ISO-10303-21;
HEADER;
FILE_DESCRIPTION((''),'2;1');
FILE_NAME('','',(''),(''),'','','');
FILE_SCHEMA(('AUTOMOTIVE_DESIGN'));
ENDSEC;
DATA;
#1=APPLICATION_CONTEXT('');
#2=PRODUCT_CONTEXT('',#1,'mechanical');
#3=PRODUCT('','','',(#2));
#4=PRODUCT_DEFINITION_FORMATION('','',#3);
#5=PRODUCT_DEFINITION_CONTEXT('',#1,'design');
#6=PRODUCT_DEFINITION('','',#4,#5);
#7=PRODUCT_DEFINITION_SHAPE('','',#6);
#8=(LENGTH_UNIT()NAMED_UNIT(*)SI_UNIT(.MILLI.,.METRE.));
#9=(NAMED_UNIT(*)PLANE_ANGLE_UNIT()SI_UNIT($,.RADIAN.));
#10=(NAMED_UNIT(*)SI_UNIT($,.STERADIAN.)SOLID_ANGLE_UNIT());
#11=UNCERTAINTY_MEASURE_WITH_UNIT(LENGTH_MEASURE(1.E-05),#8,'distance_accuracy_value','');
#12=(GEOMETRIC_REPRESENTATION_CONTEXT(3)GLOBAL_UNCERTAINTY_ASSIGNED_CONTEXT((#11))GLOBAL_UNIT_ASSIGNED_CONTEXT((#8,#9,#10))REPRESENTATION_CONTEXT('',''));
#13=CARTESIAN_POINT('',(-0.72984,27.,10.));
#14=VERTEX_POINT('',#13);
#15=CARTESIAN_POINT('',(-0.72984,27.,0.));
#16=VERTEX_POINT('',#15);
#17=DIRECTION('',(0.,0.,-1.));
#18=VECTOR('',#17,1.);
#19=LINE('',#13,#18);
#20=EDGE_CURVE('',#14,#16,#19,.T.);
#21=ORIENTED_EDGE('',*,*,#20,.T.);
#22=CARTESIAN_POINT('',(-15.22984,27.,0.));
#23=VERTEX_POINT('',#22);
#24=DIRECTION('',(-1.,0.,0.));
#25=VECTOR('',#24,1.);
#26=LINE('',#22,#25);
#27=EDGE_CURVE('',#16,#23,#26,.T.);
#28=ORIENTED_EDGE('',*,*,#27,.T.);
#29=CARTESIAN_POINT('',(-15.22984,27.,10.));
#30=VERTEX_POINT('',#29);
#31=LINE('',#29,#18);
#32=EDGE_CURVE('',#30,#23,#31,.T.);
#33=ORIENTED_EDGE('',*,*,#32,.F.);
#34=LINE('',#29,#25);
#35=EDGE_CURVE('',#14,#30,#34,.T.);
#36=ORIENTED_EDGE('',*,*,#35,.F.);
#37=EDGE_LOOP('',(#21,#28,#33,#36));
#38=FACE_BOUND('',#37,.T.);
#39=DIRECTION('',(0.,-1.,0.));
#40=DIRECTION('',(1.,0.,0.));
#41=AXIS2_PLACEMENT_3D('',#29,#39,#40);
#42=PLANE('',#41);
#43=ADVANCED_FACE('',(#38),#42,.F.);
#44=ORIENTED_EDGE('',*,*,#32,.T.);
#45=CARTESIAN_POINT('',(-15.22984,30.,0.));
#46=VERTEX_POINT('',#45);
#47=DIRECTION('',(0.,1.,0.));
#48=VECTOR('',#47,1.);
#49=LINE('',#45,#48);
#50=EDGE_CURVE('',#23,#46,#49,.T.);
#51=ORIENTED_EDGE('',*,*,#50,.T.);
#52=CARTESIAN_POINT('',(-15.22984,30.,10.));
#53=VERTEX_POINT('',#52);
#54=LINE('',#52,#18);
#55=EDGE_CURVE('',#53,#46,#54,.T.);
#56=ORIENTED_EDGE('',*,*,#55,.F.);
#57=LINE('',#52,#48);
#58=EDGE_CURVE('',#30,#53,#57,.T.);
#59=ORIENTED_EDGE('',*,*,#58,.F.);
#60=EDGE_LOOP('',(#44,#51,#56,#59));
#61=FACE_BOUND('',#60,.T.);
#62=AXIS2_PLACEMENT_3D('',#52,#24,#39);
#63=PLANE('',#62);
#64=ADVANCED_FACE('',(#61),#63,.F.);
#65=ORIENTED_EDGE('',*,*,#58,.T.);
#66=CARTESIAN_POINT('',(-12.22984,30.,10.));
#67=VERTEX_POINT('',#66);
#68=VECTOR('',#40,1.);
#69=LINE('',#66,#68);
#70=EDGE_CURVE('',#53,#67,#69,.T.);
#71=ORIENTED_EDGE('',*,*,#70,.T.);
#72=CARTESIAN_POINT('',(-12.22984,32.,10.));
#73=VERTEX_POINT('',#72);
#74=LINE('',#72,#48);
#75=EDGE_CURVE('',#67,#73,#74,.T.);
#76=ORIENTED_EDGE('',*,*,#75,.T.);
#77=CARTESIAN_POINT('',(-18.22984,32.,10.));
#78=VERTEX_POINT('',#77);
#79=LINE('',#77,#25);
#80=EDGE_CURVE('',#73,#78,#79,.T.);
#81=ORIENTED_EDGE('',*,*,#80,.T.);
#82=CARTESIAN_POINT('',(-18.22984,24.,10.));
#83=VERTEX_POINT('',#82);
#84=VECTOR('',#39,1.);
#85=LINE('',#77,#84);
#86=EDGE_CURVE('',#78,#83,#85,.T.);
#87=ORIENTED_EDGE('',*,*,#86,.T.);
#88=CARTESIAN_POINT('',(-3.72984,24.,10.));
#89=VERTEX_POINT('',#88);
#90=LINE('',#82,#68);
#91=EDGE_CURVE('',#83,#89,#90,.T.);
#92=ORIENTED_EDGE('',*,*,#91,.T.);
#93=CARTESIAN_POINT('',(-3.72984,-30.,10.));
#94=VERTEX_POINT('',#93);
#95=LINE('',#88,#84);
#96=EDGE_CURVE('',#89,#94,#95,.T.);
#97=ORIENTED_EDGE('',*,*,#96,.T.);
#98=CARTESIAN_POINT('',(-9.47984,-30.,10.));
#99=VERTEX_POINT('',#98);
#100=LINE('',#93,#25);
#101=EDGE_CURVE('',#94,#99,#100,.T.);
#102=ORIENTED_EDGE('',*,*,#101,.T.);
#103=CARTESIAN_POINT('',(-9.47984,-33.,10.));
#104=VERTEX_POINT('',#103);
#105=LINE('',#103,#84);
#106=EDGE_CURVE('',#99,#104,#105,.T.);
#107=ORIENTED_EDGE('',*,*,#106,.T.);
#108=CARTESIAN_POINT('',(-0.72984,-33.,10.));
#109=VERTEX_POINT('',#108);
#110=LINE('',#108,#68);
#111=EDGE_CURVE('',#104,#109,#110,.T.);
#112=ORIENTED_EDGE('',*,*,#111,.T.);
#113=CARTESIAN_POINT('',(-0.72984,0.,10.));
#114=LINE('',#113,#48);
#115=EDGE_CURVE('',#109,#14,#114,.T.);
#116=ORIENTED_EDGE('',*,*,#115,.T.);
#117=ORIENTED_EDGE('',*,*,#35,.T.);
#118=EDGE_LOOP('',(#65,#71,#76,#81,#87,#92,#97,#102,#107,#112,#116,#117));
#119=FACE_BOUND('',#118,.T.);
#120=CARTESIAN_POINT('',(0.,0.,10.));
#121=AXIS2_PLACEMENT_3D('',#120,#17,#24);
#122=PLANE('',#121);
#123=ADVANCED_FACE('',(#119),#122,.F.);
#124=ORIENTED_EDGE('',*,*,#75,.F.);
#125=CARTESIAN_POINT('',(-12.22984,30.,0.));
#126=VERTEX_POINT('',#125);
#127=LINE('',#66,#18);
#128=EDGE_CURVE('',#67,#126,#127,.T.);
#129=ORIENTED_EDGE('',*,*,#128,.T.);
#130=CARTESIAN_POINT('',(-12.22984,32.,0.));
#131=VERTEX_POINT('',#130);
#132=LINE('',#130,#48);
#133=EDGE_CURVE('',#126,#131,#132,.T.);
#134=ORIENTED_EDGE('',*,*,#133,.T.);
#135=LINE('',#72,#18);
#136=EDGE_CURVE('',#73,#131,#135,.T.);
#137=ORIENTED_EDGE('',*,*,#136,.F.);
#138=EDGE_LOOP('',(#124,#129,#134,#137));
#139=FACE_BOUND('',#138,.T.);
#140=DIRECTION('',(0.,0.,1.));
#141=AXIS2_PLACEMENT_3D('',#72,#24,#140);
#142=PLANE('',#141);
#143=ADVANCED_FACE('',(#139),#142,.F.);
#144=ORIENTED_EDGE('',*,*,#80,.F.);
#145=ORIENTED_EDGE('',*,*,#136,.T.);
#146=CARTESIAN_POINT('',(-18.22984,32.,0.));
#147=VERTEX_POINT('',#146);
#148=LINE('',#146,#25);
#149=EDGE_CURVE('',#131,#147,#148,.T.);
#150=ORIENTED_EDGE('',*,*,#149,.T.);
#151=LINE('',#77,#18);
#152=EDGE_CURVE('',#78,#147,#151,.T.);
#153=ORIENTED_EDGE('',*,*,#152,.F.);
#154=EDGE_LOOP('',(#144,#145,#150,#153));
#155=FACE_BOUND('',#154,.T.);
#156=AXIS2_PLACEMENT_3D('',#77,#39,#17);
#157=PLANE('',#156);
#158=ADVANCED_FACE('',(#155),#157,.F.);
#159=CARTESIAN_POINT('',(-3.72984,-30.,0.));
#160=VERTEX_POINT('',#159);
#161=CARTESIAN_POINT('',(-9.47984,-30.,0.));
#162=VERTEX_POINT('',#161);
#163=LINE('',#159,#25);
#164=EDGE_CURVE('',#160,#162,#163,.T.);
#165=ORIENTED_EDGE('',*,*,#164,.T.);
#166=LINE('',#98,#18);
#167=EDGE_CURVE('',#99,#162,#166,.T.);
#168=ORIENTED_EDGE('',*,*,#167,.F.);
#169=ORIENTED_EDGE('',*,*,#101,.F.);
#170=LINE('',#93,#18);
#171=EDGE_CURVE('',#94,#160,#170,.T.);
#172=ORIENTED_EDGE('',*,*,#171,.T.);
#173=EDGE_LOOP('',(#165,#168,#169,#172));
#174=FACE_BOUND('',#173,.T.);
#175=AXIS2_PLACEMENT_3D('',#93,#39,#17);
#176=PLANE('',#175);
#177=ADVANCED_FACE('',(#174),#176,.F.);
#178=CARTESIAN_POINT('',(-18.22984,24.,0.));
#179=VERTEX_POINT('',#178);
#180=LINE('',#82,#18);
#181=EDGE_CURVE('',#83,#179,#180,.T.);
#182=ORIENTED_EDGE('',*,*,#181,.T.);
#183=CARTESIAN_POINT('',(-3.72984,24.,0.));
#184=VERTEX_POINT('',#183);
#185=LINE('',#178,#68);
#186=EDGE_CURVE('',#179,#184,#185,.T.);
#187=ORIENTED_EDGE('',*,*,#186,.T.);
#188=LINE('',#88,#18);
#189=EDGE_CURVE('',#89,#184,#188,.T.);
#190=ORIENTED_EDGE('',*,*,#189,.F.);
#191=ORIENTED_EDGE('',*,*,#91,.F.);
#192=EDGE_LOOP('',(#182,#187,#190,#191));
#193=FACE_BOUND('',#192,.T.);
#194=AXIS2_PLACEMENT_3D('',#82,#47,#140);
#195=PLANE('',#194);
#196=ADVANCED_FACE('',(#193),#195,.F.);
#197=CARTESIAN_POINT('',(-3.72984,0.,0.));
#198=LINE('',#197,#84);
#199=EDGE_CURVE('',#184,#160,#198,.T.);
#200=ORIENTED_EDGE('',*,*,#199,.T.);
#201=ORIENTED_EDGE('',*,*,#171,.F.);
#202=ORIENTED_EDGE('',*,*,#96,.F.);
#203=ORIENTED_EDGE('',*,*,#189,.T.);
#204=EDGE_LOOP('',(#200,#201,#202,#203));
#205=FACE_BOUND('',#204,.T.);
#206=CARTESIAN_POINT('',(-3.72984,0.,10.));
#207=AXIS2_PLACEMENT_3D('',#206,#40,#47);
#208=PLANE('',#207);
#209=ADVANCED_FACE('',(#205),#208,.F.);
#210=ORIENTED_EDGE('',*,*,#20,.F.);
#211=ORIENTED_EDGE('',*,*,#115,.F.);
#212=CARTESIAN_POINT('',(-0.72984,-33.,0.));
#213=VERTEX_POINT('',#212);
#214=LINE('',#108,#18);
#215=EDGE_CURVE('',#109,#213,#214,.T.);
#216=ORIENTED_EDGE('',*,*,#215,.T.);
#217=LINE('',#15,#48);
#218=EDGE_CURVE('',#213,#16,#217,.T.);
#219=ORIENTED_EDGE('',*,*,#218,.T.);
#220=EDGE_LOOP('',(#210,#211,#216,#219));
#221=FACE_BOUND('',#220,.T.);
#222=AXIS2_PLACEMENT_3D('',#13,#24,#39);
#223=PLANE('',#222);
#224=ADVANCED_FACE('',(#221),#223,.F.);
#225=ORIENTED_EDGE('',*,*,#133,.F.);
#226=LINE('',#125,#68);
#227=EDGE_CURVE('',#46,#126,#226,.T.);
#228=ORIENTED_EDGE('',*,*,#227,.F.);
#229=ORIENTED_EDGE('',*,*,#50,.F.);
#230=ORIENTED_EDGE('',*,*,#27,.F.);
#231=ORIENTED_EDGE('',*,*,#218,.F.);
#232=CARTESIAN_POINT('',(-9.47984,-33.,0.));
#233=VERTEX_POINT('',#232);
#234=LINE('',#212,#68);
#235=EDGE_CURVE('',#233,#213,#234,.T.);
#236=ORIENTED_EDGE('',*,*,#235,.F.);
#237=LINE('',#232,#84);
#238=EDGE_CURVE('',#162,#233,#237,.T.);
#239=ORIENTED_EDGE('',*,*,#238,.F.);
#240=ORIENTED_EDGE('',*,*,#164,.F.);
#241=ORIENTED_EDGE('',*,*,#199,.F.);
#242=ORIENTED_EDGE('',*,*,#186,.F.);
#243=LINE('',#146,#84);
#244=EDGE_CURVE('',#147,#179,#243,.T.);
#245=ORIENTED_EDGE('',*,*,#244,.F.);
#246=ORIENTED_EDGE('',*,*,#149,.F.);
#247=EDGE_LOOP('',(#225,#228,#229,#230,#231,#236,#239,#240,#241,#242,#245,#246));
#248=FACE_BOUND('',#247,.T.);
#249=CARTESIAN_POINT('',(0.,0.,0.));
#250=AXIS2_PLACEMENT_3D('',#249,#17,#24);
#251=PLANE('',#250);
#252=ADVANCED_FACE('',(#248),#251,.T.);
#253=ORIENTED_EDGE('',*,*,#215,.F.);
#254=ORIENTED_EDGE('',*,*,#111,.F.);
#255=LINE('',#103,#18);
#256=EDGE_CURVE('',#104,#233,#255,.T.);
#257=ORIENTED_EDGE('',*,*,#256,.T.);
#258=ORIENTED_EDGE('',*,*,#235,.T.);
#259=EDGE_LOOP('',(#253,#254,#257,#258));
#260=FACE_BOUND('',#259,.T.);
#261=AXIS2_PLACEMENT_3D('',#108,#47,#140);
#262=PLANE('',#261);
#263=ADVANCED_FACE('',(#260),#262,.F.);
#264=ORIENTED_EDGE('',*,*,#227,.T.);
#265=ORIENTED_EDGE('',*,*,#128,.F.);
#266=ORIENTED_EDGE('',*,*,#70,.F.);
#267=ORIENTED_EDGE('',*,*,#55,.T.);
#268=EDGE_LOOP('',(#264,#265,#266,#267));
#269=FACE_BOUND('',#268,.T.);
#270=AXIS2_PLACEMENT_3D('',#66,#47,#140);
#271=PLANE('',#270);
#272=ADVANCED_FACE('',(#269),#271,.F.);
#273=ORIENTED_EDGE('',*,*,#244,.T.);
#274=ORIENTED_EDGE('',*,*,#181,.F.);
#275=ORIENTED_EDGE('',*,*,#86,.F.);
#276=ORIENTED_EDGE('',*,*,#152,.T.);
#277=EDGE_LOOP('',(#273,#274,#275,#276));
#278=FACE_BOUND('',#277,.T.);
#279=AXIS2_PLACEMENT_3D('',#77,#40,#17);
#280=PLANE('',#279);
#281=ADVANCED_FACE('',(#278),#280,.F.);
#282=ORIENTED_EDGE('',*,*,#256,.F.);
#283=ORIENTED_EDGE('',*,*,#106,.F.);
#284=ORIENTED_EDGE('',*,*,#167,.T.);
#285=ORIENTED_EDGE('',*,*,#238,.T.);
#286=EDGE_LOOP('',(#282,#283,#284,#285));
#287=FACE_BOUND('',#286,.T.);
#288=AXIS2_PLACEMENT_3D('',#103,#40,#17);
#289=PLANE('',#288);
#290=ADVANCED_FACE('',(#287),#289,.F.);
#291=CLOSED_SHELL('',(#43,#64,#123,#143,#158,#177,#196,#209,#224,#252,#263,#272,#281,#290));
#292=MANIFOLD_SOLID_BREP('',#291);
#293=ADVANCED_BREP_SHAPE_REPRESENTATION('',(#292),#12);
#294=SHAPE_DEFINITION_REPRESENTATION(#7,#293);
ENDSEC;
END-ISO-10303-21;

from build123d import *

# Parameters (mm, degrees)
SALIENTE_EXTRUIR2_DEPTH = 10


with BuildPart() as part:
    # Croquis2 → Saliente-Extruir2 (new body)
    with BuildSketch(Plane.XY):
        Polygon((-18.229840155, 32), (-18.229840155, 24), (-3.729840155, 24), (-3.729840155, 0), (-3.729840155, -30), (-9.479840155, -30), (-9.479840155, -33), (-0.729840155, -33), (-0.729840155, 0), (-0.729840155, 27), (-15.229840155, 27), (-15.229840155, 30), (-12.229840155, 30), (-12.229840155, 32), align=None)
    extrude(amount=SALIENTE_EXTRUIR2_DEPTH)


solid = part.part
